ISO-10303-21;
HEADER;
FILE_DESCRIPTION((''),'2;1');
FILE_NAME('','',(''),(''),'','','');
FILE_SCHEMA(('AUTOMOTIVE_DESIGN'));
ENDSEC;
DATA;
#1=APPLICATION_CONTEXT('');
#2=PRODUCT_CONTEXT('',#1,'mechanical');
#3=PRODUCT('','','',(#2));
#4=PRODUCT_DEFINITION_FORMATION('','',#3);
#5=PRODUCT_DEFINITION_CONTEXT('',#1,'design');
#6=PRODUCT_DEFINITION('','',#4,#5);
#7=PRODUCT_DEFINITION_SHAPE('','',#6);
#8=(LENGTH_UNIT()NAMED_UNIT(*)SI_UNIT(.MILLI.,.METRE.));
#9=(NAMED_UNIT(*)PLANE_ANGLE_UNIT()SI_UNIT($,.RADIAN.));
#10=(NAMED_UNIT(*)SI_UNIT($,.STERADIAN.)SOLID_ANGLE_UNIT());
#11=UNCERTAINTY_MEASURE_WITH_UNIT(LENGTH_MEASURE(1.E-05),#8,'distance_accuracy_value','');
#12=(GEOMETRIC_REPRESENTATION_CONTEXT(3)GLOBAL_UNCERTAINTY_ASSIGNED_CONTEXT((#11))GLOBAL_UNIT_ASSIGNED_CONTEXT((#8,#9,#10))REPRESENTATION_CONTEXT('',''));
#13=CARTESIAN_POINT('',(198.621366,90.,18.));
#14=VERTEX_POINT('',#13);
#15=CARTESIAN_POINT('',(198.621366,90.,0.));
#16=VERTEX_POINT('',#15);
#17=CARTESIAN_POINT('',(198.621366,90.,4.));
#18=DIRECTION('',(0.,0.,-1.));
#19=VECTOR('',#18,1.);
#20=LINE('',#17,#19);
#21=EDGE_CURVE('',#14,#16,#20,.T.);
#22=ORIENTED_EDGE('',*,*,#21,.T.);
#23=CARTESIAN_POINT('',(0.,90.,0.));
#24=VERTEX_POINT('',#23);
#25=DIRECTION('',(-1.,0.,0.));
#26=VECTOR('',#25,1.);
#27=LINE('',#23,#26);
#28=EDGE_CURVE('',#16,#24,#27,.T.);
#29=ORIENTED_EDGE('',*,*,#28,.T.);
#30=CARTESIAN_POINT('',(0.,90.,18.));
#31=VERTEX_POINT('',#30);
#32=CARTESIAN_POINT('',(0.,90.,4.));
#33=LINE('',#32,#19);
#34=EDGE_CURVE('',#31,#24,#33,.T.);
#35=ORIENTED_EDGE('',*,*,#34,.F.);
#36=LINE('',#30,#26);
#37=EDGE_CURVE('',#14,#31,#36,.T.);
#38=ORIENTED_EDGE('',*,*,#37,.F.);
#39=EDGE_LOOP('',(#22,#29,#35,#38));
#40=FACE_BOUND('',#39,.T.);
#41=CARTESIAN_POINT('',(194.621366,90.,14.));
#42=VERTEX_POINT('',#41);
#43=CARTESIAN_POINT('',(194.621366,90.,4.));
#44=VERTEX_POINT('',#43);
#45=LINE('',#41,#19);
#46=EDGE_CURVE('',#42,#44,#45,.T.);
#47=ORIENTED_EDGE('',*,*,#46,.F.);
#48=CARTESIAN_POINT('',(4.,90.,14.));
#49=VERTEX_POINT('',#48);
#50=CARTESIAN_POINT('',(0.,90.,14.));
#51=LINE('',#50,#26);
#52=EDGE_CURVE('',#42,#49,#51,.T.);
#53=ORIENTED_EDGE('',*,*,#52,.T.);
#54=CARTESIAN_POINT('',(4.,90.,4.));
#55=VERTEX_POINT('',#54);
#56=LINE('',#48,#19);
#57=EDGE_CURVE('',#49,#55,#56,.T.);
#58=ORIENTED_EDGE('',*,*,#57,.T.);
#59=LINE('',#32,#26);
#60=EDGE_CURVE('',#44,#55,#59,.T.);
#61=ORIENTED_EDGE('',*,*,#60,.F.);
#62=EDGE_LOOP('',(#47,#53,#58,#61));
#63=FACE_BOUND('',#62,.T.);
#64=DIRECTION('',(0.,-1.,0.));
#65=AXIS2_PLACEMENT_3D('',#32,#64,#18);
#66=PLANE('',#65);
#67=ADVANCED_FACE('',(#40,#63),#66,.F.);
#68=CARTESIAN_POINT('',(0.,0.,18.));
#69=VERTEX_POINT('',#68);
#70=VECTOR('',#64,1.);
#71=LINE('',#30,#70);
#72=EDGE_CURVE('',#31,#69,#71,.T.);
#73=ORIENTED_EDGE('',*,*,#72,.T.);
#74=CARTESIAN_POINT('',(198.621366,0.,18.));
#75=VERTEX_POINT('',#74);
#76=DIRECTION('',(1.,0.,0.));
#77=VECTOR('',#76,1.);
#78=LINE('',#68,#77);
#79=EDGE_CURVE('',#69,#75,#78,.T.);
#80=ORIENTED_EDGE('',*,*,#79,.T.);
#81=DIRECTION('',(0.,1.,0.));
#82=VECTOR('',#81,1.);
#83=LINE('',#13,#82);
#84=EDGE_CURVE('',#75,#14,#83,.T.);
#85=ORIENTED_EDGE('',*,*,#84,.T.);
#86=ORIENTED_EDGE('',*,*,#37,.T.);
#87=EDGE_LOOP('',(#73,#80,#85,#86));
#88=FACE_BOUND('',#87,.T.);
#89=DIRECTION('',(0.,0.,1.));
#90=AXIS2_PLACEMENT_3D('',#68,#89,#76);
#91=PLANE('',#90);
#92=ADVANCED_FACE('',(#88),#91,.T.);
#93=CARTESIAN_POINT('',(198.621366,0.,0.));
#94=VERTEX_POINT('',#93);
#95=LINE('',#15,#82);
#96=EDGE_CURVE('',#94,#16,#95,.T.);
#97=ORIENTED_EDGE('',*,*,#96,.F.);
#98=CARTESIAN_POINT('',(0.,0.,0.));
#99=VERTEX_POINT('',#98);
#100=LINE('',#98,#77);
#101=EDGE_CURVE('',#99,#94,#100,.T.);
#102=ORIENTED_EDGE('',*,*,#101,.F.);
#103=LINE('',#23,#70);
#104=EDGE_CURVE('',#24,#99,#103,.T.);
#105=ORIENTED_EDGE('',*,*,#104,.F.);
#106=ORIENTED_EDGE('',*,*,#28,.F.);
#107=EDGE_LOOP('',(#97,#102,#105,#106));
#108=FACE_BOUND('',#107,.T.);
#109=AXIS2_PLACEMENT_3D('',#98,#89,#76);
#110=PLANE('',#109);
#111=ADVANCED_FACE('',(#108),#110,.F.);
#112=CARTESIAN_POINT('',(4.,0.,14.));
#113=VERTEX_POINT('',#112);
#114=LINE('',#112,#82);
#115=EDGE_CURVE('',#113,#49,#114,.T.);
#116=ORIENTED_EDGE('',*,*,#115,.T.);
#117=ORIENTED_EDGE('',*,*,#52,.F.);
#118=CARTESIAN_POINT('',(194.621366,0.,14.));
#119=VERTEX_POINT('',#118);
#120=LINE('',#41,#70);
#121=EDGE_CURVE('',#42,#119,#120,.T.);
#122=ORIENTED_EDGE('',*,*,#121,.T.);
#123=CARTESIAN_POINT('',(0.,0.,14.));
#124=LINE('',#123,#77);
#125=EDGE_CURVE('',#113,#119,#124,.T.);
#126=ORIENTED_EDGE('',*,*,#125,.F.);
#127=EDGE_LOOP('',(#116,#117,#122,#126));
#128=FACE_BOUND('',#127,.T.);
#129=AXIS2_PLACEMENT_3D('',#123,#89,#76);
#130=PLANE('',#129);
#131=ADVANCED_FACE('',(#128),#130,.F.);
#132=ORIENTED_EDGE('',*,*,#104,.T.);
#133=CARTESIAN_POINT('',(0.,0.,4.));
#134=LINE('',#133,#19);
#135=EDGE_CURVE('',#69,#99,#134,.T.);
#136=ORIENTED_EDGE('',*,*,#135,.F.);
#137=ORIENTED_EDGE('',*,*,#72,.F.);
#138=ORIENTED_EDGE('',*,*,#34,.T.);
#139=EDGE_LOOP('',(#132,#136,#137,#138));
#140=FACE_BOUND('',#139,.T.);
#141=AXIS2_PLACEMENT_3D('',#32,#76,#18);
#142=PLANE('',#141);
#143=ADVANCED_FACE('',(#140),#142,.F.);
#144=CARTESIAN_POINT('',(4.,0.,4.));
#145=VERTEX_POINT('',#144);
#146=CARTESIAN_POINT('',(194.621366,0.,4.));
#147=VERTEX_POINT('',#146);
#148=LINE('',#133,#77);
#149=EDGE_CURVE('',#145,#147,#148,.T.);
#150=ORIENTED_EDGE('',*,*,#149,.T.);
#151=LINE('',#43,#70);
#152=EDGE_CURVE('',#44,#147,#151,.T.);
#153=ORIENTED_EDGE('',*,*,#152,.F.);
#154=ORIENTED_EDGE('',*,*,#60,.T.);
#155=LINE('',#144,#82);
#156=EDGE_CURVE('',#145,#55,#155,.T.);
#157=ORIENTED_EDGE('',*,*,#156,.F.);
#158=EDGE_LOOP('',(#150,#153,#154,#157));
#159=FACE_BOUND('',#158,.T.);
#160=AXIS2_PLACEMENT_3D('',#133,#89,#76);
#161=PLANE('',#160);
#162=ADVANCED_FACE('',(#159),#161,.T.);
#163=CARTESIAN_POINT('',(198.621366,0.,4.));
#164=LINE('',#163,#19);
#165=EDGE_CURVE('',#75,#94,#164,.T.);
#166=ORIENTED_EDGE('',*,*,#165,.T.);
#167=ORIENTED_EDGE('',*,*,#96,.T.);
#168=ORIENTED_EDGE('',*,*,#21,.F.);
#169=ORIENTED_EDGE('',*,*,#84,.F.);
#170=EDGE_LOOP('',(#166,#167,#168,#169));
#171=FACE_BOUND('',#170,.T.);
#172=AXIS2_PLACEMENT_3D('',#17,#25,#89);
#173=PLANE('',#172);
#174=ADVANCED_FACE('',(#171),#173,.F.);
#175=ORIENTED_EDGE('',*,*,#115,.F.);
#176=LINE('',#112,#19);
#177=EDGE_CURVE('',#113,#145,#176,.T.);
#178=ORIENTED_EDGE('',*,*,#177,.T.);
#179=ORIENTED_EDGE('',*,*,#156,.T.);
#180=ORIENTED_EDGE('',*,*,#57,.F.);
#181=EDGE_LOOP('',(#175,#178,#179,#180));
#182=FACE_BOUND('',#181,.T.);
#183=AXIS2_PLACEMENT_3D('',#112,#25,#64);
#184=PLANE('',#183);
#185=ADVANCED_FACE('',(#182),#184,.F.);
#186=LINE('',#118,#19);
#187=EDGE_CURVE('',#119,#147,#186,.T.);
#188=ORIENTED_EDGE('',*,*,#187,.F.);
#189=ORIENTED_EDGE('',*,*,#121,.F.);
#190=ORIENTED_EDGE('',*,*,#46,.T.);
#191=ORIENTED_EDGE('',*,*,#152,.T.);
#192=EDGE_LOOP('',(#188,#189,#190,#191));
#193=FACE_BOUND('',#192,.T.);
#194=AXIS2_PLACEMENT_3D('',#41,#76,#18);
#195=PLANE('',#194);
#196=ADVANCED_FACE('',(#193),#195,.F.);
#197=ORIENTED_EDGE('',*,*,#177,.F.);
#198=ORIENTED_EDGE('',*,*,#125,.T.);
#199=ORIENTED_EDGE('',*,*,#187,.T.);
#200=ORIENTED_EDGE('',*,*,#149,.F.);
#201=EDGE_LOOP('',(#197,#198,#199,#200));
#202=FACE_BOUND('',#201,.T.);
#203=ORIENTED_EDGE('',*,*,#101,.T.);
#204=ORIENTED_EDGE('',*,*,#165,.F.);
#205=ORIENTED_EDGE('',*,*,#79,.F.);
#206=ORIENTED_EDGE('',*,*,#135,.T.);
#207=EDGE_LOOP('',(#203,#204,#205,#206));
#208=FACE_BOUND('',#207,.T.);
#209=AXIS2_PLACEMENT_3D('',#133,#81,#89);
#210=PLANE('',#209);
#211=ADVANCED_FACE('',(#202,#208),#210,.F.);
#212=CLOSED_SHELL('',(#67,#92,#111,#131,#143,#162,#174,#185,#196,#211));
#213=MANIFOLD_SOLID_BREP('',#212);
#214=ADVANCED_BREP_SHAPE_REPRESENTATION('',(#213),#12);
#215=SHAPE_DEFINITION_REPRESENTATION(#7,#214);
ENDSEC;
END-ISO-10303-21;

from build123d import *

# Parameters (mm, degrees)
SKETCH1_W           = 198.621366483
SKETCH1_H           = 90
BOSS_EXTRUDE1_DEPTH = 4
SKETCH3_W           = 4
SKETCH3_H           = 90
BOSS_EXTRUDE2_DEPTH = 10
SKETCH21_W          = 198.621366483
SKETCH21_H          = 90
BOSS_EXTRUDE3_DEPTH = 4


with BuildPart() as part:
    # Sketch1 → Boss-Extrude1 (new body)
    with BuildSketch(Plane.XY):
        with Locations((99.310683242, 45)):
            Rectangle(SKETCH1_W, SKETCH1_H)
    extrude(amount=BOSS_EXTRUDE1_DEPTH)

    # Sketch3 → Boss-Extrude2 (add)
    with BuildSketch(Plane.XY.offset(4)):
        with Locations((2, 45)):
            Rectangle(SKETCH3_W, SKETCH3_H)
        with Locations((196.621366483, 45)):
            Rectangle(SKETCH3_W, SKETCH3_H)
    extrude(amount=BOSS_EXTRUDE2_DEPTH)

    # Sketch21 → Boss-Extrude3 (add)
    with BuildSketch(Plane.XY.offset(14)):
        with Locations((99.310683242, 45)):
            Rectangle(SKETCH21_W, SKETCH21_H)
    extrude(amount=BOSS_EXTRUDE3_DEPTH)


solid = part.part
